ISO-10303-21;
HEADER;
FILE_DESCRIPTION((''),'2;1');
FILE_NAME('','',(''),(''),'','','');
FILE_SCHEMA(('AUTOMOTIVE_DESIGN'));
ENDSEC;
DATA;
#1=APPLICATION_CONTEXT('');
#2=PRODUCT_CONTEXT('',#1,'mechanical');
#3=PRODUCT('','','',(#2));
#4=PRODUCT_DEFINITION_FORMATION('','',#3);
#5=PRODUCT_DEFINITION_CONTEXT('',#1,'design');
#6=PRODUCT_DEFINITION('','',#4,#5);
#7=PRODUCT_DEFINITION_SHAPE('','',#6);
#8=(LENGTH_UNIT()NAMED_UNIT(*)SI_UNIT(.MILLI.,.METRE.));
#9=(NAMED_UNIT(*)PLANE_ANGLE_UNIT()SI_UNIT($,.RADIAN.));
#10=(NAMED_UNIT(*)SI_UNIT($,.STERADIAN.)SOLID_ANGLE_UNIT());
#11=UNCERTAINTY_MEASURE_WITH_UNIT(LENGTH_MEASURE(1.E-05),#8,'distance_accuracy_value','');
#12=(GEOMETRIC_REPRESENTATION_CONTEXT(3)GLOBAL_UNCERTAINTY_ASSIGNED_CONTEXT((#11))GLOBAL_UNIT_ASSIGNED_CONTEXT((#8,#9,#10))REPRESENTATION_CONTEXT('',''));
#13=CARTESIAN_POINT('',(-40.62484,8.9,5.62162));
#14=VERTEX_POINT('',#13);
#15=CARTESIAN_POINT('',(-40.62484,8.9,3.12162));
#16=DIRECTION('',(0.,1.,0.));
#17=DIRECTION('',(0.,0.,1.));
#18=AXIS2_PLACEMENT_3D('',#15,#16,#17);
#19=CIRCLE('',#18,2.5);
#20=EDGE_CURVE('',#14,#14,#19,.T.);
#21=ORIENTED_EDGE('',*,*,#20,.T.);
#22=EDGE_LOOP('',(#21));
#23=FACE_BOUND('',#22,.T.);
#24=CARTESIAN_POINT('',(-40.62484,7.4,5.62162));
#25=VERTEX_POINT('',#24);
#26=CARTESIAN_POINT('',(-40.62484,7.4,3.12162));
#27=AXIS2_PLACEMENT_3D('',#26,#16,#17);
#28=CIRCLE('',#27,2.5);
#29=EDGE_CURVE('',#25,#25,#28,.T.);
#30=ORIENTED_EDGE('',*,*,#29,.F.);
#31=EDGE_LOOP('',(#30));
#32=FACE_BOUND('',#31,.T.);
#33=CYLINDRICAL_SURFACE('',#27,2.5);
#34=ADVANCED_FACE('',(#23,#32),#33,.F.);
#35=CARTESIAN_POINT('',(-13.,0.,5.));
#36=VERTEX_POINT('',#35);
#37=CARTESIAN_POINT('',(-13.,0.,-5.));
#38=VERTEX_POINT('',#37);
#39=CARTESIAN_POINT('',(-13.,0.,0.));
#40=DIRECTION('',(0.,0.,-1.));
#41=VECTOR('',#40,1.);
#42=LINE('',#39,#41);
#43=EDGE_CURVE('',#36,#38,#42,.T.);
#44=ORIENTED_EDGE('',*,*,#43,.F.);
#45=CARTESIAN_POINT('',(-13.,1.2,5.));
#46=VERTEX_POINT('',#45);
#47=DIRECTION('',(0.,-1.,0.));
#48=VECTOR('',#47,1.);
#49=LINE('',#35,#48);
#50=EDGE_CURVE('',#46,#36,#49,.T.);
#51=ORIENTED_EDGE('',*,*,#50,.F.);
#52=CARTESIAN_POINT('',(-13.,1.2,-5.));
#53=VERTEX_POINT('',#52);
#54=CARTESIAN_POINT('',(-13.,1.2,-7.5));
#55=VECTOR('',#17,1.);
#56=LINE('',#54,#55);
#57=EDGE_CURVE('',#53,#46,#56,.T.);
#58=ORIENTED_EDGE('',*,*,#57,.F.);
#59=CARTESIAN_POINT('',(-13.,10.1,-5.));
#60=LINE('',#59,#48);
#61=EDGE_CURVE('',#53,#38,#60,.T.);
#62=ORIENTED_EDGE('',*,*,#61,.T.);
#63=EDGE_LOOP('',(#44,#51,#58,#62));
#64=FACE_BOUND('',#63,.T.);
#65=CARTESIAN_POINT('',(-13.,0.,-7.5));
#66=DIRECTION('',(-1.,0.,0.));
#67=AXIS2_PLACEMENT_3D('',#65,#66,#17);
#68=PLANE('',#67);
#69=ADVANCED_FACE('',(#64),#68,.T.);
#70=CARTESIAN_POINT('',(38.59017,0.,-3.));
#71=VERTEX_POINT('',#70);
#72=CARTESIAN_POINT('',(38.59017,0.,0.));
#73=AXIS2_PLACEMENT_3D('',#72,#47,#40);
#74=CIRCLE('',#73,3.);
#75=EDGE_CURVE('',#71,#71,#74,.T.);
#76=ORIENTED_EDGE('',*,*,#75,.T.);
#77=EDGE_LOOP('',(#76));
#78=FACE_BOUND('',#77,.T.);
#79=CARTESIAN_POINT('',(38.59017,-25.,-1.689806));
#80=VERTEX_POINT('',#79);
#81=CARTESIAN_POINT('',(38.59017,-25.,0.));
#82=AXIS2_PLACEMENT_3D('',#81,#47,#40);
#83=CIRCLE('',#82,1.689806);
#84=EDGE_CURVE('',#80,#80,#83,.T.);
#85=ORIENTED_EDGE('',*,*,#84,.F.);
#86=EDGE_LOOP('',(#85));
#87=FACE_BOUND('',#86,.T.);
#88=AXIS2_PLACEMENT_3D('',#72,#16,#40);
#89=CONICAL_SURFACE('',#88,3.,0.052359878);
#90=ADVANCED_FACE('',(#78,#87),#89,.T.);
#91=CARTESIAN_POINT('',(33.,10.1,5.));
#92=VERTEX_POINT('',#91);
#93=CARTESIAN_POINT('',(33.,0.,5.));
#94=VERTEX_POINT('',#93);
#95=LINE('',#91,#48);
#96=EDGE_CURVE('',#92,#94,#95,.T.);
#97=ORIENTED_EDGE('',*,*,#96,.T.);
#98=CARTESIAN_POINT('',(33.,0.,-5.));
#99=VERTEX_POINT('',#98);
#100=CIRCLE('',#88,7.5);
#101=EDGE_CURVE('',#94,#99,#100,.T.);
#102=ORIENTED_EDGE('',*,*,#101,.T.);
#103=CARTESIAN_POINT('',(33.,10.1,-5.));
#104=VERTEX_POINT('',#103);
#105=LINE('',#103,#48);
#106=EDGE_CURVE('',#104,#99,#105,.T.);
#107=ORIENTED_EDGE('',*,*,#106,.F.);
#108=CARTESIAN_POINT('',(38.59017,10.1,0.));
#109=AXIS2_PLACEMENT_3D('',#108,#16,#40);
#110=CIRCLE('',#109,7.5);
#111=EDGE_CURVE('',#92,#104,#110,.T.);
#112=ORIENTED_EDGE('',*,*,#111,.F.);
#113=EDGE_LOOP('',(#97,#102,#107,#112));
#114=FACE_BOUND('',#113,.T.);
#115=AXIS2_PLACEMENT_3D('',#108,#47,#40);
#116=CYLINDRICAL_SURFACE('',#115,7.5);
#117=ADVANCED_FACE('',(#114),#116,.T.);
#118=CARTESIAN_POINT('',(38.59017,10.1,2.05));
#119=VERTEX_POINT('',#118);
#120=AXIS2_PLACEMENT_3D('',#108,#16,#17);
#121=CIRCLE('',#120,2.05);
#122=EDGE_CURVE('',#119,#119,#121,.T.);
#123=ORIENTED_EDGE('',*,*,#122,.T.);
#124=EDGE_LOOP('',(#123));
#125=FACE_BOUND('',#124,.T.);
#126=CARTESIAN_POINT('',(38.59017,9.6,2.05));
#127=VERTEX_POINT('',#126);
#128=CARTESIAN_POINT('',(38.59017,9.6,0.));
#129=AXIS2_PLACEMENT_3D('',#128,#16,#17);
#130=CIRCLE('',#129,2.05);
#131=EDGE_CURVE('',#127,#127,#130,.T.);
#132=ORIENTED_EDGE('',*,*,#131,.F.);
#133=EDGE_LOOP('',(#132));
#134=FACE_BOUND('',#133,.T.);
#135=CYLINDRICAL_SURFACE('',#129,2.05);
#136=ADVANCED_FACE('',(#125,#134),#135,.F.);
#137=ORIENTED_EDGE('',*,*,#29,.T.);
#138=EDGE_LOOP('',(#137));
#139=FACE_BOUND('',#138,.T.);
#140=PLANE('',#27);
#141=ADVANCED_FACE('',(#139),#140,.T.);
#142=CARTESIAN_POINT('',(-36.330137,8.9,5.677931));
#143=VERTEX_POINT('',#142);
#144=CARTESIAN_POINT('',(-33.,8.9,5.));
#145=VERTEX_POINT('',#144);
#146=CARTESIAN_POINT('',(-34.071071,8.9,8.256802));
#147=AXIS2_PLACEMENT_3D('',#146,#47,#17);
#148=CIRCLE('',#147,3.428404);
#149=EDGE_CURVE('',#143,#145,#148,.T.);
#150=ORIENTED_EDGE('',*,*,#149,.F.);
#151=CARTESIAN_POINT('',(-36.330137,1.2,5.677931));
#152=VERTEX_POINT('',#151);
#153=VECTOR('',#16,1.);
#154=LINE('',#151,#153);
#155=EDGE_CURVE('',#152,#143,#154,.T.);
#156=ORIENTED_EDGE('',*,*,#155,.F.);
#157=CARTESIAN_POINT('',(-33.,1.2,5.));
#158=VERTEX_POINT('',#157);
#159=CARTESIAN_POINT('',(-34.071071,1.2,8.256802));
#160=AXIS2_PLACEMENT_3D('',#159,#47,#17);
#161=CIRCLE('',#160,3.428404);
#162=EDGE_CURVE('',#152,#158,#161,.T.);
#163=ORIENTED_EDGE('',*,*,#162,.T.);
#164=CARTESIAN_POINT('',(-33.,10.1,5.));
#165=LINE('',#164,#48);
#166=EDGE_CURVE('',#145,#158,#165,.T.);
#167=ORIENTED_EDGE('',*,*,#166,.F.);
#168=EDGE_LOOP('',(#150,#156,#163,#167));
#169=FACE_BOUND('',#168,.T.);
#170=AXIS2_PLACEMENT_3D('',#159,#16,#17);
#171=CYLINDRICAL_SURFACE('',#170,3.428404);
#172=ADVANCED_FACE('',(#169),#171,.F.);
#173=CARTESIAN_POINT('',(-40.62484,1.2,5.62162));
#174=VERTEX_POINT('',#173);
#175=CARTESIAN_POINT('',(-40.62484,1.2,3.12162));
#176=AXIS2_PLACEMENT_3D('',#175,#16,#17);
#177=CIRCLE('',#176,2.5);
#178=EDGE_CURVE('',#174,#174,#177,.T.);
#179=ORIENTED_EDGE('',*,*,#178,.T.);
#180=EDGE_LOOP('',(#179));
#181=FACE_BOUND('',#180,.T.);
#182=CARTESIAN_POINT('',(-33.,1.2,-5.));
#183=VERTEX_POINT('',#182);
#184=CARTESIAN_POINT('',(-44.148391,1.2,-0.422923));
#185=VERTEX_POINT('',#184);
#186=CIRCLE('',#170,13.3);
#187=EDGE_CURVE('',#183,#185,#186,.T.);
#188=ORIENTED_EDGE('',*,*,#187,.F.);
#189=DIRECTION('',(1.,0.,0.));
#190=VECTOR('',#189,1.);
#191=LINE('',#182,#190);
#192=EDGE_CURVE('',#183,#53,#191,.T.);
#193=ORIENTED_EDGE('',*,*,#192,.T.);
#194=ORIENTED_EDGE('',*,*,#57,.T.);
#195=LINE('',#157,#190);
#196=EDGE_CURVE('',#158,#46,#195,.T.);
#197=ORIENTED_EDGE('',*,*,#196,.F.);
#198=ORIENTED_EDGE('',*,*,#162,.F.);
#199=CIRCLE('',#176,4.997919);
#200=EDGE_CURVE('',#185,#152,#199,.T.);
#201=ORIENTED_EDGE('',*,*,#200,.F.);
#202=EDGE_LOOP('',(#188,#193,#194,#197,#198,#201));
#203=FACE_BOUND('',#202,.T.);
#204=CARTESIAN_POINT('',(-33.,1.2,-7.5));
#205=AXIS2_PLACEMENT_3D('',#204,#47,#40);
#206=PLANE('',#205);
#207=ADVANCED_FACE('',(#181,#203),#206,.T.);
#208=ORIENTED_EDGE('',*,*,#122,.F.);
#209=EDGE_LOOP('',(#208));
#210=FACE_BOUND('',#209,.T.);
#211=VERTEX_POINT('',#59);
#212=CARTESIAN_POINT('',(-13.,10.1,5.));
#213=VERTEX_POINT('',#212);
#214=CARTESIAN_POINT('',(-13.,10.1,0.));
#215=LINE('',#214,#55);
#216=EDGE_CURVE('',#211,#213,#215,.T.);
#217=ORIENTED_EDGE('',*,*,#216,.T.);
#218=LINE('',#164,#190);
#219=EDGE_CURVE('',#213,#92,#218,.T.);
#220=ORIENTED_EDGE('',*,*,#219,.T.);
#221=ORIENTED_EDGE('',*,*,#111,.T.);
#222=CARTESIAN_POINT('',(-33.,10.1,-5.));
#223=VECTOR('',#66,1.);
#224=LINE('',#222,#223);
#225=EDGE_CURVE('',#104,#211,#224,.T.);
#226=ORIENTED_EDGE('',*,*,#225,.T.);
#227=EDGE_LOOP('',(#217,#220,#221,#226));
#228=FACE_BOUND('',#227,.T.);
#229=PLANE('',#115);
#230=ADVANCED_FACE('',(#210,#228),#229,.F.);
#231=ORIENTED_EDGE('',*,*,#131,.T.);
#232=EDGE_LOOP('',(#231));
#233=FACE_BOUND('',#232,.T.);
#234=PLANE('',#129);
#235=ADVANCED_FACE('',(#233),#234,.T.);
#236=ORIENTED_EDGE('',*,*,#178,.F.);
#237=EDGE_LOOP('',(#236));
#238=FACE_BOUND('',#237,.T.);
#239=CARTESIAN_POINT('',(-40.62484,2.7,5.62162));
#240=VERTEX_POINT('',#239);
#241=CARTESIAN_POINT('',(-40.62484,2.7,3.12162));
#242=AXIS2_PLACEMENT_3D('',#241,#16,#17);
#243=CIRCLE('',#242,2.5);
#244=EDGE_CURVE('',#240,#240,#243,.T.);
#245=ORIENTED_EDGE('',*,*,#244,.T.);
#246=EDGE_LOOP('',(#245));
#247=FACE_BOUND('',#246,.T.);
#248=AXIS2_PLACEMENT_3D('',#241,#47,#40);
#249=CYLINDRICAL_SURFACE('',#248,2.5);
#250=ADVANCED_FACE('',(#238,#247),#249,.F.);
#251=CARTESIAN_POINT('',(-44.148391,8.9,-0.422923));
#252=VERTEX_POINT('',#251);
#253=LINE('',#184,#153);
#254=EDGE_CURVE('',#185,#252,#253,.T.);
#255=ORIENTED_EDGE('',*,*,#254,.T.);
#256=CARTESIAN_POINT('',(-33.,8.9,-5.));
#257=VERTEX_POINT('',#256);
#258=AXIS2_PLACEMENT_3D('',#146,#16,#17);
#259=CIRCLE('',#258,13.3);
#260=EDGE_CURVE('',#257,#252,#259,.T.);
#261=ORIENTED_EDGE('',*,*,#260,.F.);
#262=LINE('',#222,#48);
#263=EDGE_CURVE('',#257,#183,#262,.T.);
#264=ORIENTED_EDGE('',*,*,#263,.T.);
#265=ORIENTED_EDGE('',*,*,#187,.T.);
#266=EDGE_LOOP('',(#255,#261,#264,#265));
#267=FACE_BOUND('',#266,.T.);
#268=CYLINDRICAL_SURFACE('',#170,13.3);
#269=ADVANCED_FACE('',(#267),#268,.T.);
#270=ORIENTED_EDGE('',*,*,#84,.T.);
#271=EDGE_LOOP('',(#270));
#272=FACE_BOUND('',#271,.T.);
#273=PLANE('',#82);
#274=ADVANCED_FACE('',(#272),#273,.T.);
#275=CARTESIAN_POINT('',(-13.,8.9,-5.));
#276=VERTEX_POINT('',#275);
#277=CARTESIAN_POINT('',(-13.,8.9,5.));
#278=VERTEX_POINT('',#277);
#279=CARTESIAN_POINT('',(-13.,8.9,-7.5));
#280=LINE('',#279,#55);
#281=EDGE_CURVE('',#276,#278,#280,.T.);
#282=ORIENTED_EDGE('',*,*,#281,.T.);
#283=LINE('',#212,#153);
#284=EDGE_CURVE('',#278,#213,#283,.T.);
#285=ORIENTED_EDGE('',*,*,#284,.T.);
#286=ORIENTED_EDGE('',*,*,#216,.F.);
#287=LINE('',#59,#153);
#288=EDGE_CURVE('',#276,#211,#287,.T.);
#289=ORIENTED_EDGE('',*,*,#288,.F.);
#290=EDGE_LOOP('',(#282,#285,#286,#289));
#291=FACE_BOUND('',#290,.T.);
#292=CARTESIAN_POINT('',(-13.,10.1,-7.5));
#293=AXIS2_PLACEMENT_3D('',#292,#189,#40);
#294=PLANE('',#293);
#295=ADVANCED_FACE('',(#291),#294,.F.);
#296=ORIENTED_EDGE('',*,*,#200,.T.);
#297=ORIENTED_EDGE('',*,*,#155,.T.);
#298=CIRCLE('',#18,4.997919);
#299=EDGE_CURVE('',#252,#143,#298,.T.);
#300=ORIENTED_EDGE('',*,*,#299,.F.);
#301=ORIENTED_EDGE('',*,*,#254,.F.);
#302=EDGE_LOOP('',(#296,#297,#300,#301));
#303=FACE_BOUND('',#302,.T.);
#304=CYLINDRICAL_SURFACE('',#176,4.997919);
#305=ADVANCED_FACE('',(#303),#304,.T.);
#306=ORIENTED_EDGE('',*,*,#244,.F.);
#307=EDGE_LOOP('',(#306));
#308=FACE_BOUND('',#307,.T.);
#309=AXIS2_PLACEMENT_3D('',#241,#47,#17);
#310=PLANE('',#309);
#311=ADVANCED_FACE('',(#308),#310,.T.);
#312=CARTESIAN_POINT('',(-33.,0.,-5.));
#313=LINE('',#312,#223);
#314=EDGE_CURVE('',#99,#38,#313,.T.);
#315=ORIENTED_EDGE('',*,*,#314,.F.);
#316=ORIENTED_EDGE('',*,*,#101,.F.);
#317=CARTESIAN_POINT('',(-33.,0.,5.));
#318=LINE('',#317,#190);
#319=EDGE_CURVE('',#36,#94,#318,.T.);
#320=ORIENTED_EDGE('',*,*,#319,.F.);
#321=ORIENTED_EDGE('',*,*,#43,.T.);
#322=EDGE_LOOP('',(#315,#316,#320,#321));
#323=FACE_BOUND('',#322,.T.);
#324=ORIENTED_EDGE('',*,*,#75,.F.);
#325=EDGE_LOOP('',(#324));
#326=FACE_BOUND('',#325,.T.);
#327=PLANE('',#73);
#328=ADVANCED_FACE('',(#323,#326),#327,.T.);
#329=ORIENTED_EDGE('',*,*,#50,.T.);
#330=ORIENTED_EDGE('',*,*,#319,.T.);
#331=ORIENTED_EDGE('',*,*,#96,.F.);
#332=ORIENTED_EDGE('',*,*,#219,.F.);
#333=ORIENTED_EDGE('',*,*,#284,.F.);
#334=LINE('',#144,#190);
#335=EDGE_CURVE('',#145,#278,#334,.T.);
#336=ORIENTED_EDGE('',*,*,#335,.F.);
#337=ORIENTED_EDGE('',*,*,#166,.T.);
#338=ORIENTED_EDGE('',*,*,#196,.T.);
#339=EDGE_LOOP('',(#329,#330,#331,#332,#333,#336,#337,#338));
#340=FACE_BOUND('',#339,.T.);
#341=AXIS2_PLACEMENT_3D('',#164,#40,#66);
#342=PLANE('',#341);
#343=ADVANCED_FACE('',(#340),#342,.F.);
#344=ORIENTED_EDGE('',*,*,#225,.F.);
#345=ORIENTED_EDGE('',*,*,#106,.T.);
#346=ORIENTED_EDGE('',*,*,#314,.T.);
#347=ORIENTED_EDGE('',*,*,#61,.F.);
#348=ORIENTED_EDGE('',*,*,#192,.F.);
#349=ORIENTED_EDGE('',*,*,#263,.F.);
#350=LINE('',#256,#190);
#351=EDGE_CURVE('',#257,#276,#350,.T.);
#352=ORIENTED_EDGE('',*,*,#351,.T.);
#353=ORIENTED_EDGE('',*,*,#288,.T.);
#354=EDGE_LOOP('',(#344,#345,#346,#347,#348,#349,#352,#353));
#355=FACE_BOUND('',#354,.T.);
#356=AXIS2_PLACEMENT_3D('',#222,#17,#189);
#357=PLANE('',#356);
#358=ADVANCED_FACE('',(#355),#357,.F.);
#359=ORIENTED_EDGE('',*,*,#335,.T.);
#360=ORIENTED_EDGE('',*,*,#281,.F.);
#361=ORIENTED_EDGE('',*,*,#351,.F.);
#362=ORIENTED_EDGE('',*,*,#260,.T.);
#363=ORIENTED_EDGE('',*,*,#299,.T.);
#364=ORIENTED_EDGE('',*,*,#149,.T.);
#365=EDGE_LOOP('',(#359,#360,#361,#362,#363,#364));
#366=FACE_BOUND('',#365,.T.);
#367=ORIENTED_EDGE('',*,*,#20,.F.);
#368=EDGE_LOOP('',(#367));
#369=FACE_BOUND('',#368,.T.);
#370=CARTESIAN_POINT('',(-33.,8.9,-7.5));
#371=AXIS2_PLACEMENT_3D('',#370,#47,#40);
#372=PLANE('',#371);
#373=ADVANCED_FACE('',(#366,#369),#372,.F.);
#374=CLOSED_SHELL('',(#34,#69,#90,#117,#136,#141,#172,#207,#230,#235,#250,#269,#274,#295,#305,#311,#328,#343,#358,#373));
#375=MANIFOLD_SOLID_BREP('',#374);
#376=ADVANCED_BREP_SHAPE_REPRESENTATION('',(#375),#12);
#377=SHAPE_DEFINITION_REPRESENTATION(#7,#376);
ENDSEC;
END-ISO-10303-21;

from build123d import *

# Parameters (mm, degrees)
SALIENTE_EXTRUIR1_DEPTH = 10.1
CROQUIS2_R              = 2.05
CORTAR_EXTRUIR1_DEPTH   = 0.5
CROQUIS3_W              = 20
CROQUIS3_H              = 1.2
CORTAR_EXTRUIR2_DEPTH   = 49.811512632
SALIENTE_EXTRUIR3_START = -7.7
SALIENTE_EXTRUIR3_DEPTH = 7.7
CROQUIS7_R              = 2.5
CORTAR_EXTRUIR4_DEPTH   = 1.5
CROQUIS8_R              = 3
SALIENTE_EXTRUIR4_DEPTH = 25
SALIENTE_EXTRUIR4_TAPER = 3


with BuildPart() as part:
    # Croquis1 → Saliente-Extruir1 (new body)
    with BuildSketch(Plane(origin=(0, 0, 0), x_dir=(1, 0, 0), z_dir=(0, 1, 0))):
        with BuildLine():
            Line((-33, -5), (33, -5))
            ThreePointArc((33, -5), (46.090169944, 0), (33, 5))
            Line((33, 5), (-33, 5))
            Line((-33, 5), (-33, -5))
        make_face()
    extrude(amount=SALIENTE_EXTRUIR1_DEPTH)

    # Croquis2 → Cortar-Extruir1 (cut)
    with BuildSketch(Plane(origin=(0, 10.1, 0), x_dir=(1, 0, 0), z_dir=(0, 1, 0))):
        with Locations(Location((38.590169944, 0, 0), (0, 0, 270))):
            Circle(CROQUIS2_R)
    extrude(amount=-CORTAR_EXTRUIR1_DEPTH, mode=Mode.SUBTRACT)

    # Croquis3 → Cortar-Extruir2 (cut, through all)
    with BuildSketch(Plane.XY.offset(5)):
        with Locations((-23, 9.5)):
            Rectangle(CROQUIS3_W, CROQUIS3_H)
    cortar_extruir2 = extrude(amount=-CORTAR_EXTRUIR2_DEPTH, mode=Mode.SUBTRACT)

    # Simetría1: Cortar-Extruir2 across plane
    add(cortar_extruir2.mirror(Plane.ZX.offset(5.05)), mode=Mode.SUBTRACT)

    # Croquis6 → Saliente-Extruir3 (add)
    with BuildSketch(Plane(origin=(0, 8.9, 0), x_dir=(1, 0, 0), z_dir=(0, 1, 0)).offset(SALIENTE_EXTRUIR3_START)):
        with BuildLine():
            Line((-33, 5), (-33, -5))
            ThreePointArc((-33, -5), (-34.754979339, -4.897304712), (-36.330136848, -5.677931145))
            ThreePointArc((-36.330136848, -5.677931145), (-43.699538391, -7.061851575), (-44.148390874, 0.422922724))
            ThreePointArc((-44.148390874, 0.422922724), (-39.122361815, 4.046630659), (-33, 5))
        make_face()
    extrude(amount=SALIENTE_EXTRUIR3_DEPTH)

    # Croquis7 → Cortar-Extruir4 (cut)
    with BuildSketch(Plane(origin=(0, 8.9, 0), x_dir=(1, 0, 0), z_dir=(0, 1, 0))):
        with Locations(Location((-40.624839531, -3.12162005, 0), (0, 0, 270))):
            Circle(CROQUIS7_R)
    cortar_extruir4 = extrude(amount=-CORTAR_EXTRUIR4_DEPTH, mode=Mode.SUBTRACT)

    # Simetría3: Cortar-Extruir4 across plane
    add(cortar_extruir4.mirror(Plane.ZX.offset(5.05)), mode=Mode.SUBTRACT)

    # Croquis8 → Saliente-Extruir4 (add)
    with BuildSketch(Plane.XZ):
        with Locations((38.590169944, 0)):
            Circle(CROQUIS8_R)
    extrude(amount=SALIENTE_EXTRUIR4_DEPTH, taper=SALIENTE_EXTRUIR4_TAPER)


solid = part.part
